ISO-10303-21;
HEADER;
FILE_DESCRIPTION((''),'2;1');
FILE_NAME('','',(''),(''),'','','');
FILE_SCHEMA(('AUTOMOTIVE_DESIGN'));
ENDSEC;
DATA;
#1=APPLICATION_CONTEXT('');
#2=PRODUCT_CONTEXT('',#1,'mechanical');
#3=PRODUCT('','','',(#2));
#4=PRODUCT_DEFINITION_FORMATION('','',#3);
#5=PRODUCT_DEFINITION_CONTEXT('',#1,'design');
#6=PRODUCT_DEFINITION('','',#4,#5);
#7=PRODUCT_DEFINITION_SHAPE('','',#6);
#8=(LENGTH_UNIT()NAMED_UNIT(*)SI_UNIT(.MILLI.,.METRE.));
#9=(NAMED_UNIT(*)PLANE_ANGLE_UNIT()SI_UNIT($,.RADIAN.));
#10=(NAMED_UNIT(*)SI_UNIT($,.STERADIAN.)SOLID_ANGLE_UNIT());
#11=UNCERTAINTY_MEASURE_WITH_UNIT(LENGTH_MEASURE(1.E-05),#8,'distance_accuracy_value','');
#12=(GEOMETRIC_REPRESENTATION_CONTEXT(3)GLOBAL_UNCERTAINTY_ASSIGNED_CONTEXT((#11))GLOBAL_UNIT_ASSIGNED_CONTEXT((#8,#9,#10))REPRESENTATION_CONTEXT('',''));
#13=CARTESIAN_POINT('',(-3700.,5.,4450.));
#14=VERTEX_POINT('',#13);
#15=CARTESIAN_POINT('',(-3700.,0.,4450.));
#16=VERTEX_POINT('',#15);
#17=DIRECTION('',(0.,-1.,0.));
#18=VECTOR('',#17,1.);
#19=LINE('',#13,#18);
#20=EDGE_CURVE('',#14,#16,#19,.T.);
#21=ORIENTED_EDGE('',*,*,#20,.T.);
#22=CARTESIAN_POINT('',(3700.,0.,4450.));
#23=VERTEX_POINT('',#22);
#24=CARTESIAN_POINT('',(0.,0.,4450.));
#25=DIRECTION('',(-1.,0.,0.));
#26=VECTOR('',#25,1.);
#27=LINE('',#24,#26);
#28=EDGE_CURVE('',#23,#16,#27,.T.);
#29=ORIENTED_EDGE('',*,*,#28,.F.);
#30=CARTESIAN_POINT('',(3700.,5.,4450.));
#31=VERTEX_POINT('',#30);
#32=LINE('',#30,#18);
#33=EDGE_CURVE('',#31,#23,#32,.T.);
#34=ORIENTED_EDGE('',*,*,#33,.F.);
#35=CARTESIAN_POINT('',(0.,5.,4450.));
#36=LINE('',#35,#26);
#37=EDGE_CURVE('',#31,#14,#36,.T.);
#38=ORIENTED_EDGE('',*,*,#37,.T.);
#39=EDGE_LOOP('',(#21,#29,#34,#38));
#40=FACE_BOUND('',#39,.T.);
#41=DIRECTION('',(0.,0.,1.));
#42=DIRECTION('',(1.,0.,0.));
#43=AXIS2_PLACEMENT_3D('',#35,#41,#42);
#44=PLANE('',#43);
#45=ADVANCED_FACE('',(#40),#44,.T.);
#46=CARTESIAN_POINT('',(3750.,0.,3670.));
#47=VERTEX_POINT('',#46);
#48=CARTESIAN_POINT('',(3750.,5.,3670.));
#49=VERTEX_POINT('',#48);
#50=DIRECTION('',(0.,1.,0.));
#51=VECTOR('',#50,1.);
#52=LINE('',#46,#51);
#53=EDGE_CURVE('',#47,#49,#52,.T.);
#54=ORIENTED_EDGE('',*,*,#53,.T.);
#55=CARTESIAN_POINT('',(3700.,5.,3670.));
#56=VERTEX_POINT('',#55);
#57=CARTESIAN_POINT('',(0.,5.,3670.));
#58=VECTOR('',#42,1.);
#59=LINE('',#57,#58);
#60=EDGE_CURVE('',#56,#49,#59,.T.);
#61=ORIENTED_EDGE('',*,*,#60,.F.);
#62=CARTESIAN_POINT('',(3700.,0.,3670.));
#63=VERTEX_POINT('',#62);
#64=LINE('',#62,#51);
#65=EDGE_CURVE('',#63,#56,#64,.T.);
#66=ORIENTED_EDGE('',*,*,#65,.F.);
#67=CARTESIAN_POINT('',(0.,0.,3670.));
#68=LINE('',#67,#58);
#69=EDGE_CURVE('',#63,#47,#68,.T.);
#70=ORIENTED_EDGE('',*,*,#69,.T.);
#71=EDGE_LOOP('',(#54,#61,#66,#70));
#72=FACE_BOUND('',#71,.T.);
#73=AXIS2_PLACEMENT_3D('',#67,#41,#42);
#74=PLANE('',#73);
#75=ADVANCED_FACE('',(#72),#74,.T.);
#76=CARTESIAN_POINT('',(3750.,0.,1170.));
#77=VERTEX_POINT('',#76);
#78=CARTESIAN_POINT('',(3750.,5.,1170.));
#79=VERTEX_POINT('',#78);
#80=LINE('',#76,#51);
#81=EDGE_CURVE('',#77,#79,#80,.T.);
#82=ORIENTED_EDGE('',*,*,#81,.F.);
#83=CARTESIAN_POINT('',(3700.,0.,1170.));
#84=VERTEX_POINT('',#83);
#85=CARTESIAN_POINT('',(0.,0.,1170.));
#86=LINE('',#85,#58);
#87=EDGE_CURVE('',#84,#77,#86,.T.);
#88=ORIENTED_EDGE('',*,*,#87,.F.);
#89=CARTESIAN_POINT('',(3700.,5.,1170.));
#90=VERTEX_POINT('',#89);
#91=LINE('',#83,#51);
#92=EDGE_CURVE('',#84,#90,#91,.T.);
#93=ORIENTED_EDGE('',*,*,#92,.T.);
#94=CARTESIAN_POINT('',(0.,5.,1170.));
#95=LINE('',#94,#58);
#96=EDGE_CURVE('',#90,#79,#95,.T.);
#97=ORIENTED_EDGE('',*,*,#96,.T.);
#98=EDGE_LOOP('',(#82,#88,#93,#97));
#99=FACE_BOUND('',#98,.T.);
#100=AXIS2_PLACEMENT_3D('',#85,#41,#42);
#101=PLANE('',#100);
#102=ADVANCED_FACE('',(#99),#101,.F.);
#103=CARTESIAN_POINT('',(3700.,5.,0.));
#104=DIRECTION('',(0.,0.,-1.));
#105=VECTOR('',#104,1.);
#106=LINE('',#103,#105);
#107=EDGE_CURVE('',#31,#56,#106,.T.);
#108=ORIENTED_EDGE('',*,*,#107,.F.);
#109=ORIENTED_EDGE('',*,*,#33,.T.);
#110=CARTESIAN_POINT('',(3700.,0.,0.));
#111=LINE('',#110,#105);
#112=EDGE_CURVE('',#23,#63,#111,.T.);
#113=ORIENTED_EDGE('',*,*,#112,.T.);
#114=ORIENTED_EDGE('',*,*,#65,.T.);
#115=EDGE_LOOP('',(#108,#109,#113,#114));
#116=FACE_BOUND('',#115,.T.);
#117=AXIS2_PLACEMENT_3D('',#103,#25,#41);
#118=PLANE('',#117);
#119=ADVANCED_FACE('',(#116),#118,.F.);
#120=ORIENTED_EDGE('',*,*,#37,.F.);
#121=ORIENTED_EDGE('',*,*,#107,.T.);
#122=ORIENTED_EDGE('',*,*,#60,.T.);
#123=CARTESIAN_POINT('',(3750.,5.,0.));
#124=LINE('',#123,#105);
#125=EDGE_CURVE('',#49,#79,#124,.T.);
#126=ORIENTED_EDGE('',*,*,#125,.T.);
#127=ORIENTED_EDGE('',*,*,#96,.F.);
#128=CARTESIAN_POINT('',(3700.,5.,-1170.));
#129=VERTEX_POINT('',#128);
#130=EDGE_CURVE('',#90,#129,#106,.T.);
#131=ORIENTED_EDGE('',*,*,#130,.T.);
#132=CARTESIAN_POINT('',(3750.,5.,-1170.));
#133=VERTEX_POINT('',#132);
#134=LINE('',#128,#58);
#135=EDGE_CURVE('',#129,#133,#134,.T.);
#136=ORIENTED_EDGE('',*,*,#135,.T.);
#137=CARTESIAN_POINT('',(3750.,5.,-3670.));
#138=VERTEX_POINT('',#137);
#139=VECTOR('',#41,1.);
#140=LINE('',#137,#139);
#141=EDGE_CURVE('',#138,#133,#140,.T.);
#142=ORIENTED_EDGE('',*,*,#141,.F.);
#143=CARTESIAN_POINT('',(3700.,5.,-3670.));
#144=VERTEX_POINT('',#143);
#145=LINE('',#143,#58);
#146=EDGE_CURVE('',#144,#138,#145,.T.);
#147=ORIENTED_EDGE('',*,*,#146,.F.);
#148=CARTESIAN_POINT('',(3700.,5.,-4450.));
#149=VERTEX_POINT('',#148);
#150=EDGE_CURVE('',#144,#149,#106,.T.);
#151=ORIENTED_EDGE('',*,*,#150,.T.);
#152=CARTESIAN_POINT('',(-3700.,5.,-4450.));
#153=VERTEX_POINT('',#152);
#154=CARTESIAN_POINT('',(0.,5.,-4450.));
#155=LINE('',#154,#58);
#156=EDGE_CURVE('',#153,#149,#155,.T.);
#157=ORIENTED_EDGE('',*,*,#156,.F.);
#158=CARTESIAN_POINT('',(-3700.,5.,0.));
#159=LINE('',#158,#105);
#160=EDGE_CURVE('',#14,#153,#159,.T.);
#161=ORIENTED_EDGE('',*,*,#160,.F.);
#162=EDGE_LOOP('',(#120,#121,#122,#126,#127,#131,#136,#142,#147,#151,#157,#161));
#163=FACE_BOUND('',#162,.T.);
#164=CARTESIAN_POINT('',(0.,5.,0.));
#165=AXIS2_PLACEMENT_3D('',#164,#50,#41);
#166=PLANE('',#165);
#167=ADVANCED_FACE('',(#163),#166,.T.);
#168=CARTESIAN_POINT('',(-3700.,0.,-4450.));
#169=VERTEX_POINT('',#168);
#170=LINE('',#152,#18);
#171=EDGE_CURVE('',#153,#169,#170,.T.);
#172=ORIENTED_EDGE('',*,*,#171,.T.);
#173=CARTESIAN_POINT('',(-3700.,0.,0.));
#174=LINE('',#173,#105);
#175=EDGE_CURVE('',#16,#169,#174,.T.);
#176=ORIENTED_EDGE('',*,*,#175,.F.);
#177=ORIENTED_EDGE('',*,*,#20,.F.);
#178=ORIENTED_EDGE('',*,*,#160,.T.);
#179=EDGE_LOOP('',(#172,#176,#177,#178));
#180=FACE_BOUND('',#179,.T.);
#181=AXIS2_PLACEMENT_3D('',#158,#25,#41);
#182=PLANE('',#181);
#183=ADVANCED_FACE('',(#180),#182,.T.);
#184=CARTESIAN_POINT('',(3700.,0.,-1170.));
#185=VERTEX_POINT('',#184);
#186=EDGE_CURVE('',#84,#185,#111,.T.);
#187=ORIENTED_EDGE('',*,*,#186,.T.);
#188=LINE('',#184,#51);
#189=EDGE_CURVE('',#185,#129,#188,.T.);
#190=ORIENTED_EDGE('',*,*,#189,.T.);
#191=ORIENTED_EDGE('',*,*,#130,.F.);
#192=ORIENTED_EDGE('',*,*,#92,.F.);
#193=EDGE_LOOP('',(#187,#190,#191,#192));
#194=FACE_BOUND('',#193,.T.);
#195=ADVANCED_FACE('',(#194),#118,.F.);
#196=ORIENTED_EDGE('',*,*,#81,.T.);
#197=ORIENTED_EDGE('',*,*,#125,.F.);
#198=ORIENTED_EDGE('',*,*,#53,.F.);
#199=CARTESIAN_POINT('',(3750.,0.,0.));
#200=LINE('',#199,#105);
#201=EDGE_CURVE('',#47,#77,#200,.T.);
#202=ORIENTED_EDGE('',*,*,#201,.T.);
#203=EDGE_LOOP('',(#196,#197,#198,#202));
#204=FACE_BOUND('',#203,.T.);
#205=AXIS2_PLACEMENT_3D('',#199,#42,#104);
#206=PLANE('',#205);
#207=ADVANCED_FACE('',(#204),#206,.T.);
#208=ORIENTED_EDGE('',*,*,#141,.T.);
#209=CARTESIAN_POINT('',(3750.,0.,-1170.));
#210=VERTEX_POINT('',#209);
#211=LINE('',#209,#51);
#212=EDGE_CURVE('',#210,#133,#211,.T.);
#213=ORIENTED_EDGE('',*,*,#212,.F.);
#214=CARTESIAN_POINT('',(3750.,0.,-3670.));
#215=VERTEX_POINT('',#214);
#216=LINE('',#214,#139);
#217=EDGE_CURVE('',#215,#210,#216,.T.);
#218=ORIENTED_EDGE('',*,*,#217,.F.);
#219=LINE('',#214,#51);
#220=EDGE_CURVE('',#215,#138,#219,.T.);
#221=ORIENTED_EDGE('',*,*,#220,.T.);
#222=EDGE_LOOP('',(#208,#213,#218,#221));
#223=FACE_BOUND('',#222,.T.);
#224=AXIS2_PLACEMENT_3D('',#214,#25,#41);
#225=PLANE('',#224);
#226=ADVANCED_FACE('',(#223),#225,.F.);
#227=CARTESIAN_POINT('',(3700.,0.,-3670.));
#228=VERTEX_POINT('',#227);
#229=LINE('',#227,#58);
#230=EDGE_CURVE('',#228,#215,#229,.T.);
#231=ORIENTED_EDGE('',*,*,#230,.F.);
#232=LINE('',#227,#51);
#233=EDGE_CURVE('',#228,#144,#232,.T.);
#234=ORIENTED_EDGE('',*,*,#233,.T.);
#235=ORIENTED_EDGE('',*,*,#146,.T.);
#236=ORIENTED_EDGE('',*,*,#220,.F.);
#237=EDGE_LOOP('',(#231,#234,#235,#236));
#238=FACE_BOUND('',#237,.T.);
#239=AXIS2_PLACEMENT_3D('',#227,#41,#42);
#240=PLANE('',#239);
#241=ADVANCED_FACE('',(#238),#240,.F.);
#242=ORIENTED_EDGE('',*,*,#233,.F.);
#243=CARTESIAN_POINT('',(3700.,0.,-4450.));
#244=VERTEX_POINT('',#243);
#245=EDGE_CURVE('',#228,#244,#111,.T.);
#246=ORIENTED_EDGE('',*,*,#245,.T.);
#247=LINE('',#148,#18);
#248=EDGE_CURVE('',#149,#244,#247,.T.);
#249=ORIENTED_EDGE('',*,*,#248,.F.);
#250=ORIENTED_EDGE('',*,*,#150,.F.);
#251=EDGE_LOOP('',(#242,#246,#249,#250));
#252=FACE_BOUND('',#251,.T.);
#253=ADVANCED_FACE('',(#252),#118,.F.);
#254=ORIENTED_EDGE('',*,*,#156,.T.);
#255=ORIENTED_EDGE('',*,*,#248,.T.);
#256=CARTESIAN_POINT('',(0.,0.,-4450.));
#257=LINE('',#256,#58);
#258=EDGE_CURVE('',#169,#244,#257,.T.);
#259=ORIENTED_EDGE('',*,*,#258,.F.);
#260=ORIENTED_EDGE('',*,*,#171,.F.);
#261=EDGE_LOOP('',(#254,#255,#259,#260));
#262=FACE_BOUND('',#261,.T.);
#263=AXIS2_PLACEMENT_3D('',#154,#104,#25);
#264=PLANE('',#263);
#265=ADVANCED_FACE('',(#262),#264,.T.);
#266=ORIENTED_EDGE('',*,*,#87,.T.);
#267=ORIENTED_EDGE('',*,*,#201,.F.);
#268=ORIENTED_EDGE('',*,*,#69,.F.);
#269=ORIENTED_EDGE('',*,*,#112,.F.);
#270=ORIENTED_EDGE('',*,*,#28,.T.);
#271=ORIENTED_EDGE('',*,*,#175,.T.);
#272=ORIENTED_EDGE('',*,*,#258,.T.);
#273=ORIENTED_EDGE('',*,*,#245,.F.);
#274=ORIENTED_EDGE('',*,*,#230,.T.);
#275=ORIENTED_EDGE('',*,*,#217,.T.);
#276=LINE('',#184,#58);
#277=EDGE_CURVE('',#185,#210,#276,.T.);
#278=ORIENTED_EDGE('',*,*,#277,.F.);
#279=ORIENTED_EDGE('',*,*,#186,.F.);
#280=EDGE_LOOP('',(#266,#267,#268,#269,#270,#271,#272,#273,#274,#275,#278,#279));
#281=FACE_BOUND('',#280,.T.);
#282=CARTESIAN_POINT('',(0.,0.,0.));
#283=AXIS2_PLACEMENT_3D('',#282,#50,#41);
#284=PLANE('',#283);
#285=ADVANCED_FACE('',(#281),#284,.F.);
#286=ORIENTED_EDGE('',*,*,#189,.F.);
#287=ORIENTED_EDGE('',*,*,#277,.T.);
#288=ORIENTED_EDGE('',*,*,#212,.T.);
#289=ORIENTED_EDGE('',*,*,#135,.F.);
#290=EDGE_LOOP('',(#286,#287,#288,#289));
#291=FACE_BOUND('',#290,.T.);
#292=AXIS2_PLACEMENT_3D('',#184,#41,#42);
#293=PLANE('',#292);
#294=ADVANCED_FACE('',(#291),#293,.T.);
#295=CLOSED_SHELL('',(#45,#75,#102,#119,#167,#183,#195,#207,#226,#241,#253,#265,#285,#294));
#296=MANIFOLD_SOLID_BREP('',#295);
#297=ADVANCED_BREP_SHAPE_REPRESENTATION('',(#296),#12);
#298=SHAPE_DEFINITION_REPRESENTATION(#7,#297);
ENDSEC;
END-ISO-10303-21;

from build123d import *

# Parameters (mm, degrees)
BOSS_EXTRUDE1_DEPTH = 5
SKETCH2_W           = 50
SKETCH2_H           = 2500
BOSS_EXTRUDE2_DEPTH = 5


with BuildPart() as part:
    # Sketch1 → Boss-Extrude1 (new body)
    with BuildSketch(Plane(origin=(0, 0, 0), x_dir=(1, 0, 0), z_dir=(0, 1, 0))):
        Polygon((-3700, -4450), (3700, -4450), (3700, 4450), (3300, 4450), (3259.892103949, 4450), (2200, 4450), (2159.170676492, 4450), (-3700, 4450), align=None)
    extrude(amount=BOSS_EXTRUDE1_DEPTH)

    # Sketch2 → Boss-Extrude2 (add)
    with BuildSketch(Plane(origin=(0, 5, 0), x_dir=(1, 0, 0), z_dir=(0, 1, 0))):
        with Locations((3725, -2420)):
            Rectangle(SKETCH2_W, SKETCH2_H)
        with Locations((3725, 2420)):
            Rectangle(SKETCH2_W, SKETCH2_H)
    extrude(amount=-BOSS_EXTRUDE2_DEPTH)


solid = part.part
